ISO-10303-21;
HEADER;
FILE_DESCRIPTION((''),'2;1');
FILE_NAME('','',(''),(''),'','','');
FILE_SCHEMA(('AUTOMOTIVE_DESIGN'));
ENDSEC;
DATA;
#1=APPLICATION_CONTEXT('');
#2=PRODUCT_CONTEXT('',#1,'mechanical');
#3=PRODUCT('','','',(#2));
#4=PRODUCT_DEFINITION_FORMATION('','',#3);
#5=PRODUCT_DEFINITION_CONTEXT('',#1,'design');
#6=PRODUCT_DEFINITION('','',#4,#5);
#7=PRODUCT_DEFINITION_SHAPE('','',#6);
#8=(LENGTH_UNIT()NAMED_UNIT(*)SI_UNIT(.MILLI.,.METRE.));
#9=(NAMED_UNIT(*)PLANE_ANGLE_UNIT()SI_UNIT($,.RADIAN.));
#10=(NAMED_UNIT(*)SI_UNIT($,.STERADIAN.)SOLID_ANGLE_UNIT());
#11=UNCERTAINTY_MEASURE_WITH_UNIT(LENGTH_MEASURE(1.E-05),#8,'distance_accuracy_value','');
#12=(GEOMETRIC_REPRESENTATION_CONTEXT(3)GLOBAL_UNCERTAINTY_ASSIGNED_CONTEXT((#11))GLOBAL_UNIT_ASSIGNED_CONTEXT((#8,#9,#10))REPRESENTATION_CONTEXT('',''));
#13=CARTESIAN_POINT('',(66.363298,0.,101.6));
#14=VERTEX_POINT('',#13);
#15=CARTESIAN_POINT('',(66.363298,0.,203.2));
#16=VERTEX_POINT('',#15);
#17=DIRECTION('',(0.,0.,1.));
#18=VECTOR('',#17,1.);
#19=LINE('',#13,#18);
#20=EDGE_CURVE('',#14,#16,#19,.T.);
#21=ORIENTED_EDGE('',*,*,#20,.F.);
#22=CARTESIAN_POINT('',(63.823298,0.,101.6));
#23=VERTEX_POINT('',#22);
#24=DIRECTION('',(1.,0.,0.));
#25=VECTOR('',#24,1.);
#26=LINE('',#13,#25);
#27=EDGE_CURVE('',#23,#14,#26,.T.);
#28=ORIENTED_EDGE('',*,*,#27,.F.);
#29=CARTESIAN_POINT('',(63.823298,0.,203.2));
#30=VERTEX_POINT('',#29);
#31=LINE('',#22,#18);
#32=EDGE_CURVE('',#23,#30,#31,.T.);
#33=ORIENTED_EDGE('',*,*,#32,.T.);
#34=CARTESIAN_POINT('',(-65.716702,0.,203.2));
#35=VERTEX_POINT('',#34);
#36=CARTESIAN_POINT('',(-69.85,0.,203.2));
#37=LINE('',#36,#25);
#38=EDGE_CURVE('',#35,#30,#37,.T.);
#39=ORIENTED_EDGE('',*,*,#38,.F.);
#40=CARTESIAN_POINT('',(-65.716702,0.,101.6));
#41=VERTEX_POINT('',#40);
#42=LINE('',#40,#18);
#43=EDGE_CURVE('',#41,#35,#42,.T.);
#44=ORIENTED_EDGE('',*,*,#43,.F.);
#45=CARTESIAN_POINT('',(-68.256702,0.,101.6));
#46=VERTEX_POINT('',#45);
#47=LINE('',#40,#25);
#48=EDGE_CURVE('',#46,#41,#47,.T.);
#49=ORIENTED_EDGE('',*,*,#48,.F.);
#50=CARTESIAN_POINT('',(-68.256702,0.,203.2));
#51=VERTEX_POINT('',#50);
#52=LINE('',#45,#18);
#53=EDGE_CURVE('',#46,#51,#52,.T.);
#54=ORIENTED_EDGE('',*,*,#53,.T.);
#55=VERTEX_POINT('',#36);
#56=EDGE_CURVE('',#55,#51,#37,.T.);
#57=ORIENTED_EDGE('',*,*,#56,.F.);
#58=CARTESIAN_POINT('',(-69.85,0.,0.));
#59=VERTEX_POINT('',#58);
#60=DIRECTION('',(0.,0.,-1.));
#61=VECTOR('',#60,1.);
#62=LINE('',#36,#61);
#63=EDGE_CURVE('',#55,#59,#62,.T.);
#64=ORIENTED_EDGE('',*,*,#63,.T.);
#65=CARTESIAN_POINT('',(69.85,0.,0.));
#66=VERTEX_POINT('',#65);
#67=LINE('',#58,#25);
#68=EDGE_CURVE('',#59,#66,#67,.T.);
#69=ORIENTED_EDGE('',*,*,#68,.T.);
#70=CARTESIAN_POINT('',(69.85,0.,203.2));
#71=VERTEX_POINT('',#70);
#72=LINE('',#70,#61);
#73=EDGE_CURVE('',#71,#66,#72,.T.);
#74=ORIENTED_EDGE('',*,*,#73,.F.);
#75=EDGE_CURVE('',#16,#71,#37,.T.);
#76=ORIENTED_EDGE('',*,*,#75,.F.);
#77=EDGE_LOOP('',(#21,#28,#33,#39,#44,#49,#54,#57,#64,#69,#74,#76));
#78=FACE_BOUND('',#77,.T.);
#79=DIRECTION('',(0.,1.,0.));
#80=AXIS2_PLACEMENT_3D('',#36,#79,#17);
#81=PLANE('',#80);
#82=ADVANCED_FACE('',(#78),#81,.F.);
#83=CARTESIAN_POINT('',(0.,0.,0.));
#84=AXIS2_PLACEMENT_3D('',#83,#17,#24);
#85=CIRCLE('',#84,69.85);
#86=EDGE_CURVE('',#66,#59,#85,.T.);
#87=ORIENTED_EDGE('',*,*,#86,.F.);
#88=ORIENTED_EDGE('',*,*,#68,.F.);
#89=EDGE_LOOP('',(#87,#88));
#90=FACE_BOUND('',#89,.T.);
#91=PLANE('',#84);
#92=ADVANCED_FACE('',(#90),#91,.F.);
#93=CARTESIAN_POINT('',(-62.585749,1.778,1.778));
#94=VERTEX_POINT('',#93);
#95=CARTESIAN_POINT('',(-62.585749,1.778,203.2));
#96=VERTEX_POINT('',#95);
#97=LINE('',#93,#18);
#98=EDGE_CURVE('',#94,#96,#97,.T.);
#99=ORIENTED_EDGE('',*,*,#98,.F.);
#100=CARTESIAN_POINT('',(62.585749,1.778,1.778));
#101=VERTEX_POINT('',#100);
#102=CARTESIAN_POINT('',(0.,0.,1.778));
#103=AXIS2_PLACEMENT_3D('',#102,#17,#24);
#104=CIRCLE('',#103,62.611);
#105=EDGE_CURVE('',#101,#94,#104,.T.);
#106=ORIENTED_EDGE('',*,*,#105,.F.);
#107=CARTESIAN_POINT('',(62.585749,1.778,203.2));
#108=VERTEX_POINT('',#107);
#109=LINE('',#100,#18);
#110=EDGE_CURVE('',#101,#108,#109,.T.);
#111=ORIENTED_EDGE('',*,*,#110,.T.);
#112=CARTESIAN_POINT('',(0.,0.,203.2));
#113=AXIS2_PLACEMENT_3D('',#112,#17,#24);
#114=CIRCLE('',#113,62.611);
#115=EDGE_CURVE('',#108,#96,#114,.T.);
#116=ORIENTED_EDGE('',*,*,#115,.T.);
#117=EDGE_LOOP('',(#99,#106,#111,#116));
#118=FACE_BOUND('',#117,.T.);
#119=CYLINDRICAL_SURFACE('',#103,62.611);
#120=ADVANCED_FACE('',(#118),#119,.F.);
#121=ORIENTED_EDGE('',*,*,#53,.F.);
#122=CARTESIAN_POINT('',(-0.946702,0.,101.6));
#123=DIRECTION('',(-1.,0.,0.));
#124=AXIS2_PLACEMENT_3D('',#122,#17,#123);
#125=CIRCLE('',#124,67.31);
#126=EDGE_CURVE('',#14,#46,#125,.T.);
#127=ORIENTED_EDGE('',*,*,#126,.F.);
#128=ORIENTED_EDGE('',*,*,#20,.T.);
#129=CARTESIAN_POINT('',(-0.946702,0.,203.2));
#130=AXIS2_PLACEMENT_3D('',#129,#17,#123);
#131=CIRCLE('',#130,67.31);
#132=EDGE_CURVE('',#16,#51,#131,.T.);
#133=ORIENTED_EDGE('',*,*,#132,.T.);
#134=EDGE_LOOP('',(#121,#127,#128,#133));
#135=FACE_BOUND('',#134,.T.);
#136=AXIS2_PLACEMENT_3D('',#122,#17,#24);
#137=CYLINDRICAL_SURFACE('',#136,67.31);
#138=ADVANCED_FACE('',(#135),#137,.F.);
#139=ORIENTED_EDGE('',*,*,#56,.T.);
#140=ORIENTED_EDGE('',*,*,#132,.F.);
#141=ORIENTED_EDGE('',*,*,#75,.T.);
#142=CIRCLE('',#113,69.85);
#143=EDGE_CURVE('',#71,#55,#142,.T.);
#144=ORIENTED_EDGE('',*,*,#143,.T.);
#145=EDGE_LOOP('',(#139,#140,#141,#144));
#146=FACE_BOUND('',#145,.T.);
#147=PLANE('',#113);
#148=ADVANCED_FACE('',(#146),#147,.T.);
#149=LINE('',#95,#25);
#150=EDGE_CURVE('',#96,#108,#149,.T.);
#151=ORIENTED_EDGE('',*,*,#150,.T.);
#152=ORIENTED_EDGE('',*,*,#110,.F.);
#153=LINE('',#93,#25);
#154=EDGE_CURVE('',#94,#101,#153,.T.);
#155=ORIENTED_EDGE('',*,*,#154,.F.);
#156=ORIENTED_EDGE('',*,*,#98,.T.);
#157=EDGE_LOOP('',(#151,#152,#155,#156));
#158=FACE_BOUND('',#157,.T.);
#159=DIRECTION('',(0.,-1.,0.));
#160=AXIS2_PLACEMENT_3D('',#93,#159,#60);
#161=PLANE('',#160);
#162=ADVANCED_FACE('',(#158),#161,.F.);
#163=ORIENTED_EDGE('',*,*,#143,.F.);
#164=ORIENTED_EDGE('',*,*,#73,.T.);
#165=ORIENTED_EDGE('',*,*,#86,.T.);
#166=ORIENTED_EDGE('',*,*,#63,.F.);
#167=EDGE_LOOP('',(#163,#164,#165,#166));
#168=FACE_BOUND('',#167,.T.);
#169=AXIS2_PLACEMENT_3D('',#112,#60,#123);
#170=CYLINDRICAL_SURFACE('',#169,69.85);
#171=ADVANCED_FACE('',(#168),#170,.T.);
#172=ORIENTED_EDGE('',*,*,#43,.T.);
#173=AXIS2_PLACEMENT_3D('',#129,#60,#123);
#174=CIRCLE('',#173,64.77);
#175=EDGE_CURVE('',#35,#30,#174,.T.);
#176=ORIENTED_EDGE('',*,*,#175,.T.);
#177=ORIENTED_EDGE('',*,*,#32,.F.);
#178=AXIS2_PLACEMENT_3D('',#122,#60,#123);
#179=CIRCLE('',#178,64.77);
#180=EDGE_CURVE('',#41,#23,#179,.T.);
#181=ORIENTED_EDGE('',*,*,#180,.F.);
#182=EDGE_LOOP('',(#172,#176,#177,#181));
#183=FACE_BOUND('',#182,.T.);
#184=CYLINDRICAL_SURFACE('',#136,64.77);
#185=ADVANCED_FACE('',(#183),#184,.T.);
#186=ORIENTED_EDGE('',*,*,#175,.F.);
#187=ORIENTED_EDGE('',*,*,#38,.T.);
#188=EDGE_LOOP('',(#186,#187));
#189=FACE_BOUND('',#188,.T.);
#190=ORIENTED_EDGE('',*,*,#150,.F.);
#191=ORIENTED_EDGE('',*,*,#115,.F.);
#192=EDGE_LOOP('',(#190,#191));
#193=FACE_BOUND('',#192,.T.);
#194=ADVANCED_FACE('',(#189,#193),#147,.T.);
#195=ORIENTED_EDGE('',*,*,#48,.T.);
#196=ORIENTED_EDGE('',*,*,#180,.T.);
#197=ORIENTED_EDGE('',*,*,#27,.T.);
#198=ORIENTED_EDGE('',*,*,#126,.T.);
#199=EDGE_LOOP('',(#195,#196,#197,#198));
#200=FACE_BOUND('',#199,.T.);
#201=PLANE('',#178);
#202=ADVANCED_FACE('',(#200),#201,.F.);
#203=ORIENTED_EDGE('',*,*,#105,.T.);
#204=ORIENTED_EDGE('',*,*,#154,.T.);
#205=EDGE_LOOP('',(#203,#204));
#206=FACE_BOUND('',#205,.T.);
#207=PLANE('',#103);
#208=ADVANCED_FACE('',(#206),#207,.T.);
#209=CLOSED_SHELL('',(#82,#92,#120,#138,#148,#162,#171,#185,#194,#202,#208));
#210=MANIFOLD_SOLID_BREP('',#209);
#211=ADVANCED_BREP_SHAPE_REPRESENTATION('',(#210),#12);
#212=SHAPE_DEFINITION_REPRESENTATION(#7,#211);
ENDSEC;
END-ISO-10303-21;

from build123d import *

# Parameters (mm, degrees)
BOSS_EXTRUDE1_DEPTH = 203.2
CUT_EXTRUDE1_DEPTH  = 201.422
CUT_EXTRUDE2_DEPTH  = 101.6


with BuildPart() as part:
    # Sketch2 → Boss-Extrude1 (new body)
    with BuildSketch(Plane.XY):
        with BuildLine():
            Line((-69.85, 0), (69.85, 0))
            ThreePointArc((69.85, 0), (0, 69.85), (-69.85, 0))
        make_face()
    extrude(amount=BOSS_EXTRUDE1_DEPTH)

    # Sketch3 → Cut-Extrude1 (cut)
    with BuildSketch(Plane.XY.offset(203.2)):
        with BuildLine():
            Line((-62.585749472, 1.778), (62.585749472, 1.778))
            ThreePointArc((62.585749472, 1.778), (0, 62.611), (-62.585749472, 1.778))
        make_face()
    extrude(amount=-CUT_EXTRUDE1_DEPTH, mode=Mode.SUBTRACT)

    # Sketch5 → Cut-Extrude2 (cut)
    with BuildSketch(Plane.XY.offset(203.2)):
        with BuildLine():
            Line((66.363298263, 0), (63.823298263, 0))
            ThreePointArc((63.823298263, 0), (-0.946701737, 64.77), (-65.716701737, 0))
            Line((-65.716701737, 0), (-68.256701737, 0))
            ThreePointArc((-68.256701737, 0), (-0.946701737, 67.31), (66.363298263, 0))
        make_face()
    extrude(amount=-CUT_EXTRUDE2_DEPTH, mode=Mode.SUBTRACT)


solid = part.part
